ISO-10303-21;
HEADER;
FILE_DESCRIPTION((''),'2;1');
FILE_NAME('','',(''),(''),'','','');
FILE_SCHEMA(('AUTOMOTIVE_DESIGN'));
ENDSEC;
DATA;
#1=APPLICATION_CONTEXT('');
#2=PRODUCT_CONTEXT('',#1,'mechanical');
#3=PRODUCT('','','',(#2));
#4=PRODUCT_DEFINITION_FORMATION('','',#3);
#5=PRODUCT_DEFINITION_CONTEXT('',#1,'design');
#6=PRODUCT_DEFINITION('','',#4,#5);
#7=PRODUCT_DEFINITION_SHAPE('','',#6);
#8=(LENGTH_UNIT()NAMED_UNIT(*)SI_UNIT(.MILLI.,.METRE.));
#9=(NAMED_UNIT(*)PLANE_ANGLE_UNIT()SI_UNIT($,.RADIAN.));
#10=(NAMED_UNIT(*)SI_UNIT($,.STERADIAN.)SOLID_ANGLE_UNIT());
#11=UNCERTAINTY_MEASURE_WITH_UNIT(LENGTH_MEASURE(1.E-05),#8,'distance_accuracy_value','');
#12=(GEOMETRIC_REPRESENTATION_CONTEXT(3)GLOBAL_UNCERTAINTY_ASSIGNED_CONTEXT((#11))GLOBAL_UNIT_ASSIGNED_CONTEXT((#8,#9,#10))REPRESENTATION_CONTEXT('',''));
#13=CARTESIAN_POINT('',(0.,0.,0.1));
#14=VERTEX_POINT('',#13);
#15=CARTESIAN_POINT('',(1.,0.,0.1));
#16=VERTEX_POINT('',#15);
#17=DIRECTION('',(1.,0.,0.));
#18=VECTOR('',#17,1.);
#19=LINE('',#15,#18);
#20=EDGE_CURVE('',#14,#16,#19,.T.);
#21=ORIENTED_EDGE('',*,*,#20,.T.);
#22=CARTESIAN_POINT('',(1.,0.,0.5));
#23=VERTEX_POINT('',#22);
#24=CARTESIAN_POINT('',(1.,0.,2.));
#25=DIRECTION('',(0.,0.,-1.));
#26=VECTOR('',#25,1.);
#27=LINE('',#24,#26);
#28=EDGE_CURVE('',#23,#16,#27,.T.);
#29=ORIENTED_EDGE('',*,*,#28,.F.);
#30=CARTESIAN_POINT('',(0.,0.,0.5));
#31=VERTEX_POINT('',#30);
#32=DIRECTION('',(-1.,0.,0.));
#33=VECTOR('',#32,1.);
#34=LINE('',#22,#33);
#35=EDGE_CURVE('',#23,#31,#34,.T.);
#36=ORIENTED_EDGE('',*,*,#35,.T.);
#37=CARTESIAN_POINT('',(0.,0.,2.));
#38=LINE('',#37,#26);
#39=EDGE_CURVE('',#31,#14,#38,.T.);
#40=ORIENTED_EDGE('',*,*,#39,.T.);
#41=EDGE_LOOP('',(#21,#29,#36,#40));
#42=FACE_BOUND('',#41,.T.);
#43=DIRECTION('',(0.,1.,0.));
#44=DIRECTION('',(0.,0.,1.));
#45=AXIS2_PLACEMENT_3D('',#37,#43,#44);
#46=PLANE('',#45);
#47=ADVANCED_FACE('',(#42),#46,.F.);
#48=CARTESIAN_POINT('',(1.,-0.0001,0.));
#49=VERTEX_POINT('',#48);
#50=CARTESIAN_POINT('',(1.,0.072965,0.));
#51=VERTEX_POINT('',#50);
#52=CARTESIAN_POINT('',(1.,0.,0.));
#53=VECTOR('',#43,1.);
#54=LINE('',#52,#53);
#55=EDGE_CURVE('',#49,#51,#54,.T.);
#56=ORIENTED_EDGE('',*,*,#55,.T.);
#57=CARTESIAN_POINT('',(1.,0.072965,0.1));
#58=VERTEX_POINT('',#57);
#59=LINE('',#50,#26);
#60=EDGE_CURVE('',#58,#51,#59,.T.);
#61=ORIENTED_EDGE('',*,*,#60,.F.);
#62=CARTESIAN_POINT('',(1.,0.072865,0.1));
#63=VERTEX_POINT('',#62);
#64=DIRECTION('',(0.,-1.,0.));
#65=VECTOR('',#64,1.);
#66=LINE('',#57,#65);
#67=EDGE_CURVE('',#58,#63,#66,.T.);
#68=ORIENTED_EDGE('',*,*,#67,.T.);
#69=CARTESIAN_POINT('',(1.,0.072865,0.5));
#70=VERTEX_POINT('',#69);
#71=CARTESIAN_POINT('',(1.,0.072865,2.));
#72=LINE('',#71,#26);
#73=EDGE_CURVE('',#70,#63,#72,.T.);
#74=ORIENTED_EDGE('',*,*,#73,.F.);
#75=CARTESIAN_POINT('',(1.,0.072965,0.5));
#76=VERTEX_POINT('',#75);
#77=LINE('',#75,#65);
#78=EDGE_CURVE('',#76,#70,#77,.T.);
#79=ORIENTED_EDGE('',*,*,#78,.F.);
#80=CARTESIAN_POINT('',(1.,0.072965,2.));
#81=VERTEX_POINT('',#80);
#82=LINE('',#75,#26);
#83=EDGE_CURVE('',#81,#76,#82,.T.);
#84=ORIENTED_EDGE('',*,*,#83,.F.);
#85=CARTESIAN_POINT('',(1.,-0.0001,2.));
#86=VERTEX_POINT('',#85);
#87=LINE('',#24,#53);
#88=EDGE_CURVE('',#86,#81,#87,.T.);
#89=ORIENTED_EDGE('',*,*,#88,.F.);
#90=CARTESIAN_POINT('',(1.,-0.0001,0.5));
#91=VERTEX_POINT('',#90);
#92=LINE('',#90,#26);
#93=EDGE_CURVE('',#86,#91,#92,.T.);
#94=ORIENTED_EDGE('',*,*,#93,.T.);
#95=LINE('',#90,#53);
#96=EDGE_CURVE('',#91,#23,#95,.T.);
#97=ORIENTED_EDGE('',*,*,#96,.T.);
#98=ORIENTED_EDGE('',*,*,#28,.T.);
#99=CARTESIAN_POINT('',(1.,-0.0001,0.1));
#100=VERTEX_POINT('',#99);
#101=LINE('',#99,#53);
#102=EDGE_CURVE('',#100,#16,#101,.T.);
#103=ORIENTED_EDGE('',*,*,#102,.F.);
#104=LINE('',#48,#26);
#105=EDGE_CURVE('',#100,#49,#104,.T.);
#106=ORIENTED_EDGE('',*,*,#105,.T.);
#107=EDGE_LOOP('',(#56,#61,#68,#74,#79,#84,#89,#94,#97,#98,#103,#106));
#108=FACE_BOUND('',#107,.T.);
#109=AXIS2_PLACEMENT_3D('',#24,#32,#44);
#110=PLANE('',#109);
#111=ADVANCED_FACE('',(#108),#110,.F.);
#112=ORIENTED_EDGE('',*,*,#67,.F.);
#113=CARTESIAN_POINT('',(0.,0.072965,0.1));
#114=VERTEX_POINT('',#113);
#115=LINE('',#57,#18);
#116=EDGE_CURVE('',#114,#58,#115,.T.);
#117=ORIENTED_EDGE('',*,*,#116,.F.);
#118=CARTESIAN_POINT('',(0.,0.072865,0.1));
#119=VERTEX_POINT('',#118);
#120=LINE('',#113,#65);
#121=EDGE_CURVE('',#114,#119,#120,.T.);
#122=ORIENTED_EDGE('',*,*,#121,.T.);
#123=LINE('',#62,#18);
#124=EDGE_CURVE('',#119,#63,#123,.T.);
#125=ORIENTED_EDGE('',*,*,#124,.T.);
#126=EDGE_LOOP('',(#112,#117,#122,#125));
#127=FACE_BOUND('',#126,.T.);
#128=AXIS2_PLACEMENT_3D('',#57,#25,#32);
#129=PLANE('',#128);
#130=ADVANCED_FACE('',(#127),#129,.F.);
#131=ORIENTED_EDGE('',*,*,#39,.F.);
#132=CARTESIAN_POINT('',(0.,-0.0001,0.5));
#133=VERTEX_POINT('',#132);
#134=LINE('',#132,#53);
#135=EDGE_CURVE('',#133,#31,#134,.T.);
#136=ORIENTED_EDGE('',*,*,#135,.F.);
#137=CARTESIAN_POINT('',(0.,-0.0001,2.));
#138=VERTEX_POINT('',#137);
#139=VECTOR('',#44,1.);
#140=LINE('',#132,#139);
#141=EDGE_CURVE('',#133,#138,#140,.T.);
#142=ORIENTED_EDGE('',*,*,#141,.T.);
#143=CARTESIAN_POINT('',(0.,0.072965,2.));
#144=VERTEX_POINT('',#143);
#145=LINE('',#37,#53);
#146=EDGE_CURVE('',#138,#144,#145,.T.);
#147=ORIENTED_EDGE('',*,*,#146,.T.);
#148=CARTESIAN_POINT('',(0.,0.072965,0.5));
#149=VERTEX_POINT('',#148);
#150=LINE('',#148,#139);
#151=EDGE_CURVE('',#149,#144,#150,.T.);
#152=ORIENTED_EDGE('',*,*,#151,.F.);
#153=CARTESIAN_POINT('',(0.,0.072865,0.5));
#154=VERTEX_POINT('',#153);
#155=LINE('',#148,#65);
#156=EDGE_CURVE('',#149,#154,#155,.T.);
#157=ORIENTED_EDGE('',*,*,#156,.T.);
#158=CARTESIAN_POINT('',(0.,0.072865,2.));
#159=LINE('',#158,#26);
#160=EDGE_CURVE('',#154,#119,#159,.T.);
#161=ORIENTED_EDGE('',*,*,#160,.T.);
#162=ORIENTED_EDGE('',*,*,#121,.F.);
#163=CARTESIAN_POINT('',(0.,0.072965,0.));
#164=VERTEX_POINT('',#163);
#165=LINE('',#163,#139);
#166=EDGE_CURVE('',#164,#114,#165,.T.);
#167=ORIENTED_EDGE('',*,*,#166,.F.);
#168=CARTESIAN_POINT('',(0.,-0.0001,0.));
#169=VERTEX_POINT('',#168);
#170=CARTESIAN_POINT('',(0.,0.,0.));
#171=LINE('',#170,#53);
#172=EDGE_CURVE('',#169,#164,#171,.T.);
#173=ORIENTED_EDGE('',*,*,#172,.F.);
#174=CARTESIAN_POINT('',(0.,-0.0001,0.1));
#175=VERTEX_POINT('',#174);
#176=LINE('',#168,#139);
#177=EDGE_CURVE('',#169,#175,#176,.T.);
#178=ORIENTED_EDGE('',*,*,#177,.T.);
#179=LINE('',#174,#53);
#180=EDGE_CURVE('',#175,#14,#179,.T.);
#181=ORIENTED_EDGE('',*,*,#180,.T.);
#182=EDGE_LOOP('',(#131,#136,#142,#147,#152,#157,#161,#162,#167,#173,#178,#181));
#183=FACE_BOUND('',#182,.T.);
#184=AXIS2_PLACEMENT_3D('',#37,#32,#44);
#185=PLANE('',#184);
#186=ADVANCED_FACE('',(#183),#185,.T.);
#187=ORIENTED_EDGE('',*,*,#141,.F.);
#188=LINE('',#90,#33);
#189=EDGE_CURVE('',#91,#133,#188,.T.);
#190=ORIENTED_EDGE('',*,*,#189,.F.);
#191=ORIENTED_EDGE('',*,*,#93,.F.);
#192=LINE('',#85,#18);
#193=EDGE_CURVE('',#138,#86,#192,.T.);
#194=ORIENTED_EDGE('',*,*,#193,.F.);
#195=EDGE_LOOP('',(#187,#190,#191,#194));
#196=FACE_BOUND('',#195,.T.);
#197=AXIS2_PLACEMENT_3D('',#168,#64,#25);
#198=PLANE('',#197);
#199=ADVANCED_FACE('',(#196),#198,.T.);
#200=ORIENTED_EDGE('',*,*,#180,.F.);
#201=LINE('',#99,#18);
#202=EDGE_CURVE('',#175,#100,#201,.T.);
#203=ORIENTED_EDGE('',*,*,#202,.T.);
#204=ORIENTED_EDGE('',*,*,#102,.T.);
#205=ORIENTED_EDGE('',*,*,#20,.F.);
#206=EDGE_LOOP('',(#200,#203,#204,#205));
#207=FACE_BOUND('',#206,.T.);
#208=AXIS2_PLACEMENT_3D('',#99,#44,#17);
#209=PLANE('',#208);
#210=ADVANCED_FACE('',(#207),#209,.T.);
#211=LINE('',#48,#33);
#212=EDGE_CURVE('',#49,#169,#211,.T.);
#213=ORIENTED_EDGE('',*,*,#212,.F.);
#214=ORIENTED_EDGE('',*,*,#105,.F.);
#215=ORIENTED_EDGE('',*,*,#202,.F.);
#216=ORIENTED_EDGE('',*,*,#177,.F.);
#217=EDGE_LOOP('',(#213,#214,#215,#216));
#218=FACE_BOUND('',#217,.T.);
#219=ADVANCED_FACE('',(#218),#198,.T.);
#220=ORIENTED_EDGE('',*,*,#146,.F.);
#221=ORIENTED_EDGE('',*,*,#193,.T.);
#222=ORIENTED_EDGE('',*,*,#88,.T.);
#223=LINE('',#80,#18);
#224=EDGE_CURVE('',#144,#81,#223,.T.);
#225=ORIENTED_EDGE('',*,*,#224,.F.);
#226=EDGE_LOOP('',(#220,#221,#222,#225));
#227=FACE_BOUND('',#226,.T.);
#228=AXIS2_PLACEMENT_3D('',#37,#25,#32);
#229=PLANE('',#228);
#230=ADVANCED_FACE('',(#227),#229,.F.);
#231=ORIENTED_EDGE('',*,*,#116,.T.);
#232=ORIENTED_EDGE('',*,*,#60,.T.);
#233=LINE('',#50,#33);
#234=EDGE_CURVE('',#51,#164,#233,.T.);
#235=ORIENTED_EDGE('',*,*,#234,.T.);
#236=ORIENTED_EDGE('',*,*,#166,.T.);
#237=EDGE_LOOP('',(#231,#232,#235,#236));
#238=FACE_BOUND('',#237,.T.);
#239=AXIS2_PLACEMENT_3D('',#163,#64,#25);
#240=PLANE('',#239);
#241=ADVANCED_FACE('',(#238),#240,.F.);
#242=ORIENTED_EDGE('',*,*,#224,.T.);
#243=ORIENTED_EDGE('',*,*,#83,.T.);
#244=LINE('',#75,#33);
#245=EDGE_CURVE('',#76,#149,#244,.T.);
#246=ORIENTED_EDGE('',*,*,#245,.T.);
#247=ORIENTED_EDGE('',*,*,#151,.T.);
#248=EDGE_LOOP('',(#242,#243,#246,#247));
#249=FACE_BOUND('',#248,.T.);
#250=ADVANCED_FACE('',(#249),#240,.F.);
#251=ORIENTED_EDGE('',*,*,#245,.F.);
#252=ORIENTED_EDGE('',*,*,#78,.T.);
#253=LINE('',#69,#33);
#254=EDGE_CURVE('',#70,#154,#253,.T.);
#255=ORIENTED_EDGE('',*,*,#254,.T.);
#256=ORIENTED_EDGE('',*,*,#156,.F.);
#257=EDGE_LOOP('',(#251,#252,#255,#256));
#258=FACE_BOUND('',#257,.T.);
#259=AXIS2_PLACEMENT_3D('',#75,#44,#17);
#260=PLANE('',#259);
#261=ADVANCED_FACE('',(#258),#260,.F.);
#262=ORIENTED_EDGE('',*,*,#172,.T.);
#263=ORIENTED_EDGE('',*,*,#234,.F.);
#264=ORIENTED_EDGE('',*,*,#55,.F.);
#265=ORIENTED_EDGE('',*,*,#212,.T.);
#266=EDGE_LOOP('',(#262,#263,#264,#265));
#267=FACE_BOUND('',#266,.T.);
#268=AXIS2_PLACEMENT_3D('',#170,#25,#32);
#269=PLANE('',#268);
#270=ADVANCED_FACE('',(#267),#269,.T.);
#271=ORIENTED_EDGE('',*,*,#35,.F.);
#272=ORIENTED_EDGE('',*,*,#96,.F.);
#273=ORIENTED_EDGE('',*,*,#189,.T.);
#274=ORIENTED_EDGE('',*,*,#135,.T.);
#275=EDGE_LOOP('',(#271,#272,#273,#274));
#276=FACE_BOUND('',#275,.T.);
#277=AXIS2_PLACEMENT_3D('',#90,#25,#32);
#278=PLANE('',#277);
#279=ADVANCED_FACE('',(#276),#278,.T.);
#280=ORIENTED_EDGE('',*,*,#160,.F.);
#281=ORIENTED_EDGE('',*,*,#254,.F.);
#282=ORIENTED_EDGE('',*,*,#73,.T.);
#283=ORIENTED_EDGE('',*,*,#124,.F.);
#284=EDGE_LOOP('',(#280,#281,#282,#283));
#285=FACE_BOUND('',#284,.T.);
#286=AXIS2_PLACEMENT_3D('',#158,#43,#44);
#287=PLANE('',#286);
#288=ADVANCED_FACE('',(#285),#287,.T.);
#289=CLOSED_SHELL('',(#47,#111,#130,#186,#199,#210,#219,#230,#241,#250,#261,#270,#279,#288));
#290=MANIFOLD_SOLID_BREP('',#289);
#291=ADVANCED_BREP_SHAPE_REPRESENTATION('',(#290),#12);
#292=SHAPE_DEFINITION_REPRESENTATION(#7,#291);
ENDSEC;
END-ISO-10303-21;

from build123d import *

# Parameters (mm, degrees)
SKETCH1_W           = 1
SKETCH1_H           = 0.072865
BOSS_EXTRUDE1_DEPTH = 2
SKETCH7_W           = 1
SKETCH7_H           = 0.1
SKETCH7_H_2         = 1.5
BOSS_EXTRUDE6_DEPTH = 0.0001
BOSS_EXTRUDE7_START = -0.072865
SKETCH7_2_W         = 1
SKETCH7_2_H         = 0.1
SKETCH7_2_H_2       = 1.5
BOSS_EXTRUDE7_DEPTH = 0.0001


with BuildPart() as part:
    # Sketch1 → Boss-Extrude1 (new body)
    with BuildSketch(Plane.XY):
        with Locations((0.5, 0.0364325)):
            Rectangle(SKETCH1_W, SKETCH1_H)
    extrude(amount=BOSS_EXTRUDE1_DEPTH)

    # Sketch7 → Boss-Extrude6 (add)
    with BuildSketch(Plane(origin=(0, 0.072865, 0), x_dir=(1, 0, 0), z_dir=(0, 1, 0))):
        with Locations((0.5, -0.05)):
            Rectangle(SKETCH7_W, SKETCH7_H)
        with Locations((0.5, -1.25)):
            Rectangle(SKETCH7_W, SKETCH7_H_2)
    extrude(amount=BOSS_EXTRUDE6_DEPTH)

    # Sketch7<2> → Boss-Extrude7 (add)
    with BuildSketch(Plane(origin=(0, 0.072865, 0), x_dir=(1, 0, 0), z_dir=(0, 1, 0)).offset(BOSS_EXTRUDE7_START)):
        with Locations((0.5, -0.05)):
            Rectangle(SKETCH7_2_W, SKETCH7_2_H)
        with Locations((0.5, -1.25)):
            Rectangle(SKETCH7_2_W, SKETCH7_2_H_2)
    extrude(amount=-BOSS_EXTRUDE7_DEPTH)


solid = part.part
